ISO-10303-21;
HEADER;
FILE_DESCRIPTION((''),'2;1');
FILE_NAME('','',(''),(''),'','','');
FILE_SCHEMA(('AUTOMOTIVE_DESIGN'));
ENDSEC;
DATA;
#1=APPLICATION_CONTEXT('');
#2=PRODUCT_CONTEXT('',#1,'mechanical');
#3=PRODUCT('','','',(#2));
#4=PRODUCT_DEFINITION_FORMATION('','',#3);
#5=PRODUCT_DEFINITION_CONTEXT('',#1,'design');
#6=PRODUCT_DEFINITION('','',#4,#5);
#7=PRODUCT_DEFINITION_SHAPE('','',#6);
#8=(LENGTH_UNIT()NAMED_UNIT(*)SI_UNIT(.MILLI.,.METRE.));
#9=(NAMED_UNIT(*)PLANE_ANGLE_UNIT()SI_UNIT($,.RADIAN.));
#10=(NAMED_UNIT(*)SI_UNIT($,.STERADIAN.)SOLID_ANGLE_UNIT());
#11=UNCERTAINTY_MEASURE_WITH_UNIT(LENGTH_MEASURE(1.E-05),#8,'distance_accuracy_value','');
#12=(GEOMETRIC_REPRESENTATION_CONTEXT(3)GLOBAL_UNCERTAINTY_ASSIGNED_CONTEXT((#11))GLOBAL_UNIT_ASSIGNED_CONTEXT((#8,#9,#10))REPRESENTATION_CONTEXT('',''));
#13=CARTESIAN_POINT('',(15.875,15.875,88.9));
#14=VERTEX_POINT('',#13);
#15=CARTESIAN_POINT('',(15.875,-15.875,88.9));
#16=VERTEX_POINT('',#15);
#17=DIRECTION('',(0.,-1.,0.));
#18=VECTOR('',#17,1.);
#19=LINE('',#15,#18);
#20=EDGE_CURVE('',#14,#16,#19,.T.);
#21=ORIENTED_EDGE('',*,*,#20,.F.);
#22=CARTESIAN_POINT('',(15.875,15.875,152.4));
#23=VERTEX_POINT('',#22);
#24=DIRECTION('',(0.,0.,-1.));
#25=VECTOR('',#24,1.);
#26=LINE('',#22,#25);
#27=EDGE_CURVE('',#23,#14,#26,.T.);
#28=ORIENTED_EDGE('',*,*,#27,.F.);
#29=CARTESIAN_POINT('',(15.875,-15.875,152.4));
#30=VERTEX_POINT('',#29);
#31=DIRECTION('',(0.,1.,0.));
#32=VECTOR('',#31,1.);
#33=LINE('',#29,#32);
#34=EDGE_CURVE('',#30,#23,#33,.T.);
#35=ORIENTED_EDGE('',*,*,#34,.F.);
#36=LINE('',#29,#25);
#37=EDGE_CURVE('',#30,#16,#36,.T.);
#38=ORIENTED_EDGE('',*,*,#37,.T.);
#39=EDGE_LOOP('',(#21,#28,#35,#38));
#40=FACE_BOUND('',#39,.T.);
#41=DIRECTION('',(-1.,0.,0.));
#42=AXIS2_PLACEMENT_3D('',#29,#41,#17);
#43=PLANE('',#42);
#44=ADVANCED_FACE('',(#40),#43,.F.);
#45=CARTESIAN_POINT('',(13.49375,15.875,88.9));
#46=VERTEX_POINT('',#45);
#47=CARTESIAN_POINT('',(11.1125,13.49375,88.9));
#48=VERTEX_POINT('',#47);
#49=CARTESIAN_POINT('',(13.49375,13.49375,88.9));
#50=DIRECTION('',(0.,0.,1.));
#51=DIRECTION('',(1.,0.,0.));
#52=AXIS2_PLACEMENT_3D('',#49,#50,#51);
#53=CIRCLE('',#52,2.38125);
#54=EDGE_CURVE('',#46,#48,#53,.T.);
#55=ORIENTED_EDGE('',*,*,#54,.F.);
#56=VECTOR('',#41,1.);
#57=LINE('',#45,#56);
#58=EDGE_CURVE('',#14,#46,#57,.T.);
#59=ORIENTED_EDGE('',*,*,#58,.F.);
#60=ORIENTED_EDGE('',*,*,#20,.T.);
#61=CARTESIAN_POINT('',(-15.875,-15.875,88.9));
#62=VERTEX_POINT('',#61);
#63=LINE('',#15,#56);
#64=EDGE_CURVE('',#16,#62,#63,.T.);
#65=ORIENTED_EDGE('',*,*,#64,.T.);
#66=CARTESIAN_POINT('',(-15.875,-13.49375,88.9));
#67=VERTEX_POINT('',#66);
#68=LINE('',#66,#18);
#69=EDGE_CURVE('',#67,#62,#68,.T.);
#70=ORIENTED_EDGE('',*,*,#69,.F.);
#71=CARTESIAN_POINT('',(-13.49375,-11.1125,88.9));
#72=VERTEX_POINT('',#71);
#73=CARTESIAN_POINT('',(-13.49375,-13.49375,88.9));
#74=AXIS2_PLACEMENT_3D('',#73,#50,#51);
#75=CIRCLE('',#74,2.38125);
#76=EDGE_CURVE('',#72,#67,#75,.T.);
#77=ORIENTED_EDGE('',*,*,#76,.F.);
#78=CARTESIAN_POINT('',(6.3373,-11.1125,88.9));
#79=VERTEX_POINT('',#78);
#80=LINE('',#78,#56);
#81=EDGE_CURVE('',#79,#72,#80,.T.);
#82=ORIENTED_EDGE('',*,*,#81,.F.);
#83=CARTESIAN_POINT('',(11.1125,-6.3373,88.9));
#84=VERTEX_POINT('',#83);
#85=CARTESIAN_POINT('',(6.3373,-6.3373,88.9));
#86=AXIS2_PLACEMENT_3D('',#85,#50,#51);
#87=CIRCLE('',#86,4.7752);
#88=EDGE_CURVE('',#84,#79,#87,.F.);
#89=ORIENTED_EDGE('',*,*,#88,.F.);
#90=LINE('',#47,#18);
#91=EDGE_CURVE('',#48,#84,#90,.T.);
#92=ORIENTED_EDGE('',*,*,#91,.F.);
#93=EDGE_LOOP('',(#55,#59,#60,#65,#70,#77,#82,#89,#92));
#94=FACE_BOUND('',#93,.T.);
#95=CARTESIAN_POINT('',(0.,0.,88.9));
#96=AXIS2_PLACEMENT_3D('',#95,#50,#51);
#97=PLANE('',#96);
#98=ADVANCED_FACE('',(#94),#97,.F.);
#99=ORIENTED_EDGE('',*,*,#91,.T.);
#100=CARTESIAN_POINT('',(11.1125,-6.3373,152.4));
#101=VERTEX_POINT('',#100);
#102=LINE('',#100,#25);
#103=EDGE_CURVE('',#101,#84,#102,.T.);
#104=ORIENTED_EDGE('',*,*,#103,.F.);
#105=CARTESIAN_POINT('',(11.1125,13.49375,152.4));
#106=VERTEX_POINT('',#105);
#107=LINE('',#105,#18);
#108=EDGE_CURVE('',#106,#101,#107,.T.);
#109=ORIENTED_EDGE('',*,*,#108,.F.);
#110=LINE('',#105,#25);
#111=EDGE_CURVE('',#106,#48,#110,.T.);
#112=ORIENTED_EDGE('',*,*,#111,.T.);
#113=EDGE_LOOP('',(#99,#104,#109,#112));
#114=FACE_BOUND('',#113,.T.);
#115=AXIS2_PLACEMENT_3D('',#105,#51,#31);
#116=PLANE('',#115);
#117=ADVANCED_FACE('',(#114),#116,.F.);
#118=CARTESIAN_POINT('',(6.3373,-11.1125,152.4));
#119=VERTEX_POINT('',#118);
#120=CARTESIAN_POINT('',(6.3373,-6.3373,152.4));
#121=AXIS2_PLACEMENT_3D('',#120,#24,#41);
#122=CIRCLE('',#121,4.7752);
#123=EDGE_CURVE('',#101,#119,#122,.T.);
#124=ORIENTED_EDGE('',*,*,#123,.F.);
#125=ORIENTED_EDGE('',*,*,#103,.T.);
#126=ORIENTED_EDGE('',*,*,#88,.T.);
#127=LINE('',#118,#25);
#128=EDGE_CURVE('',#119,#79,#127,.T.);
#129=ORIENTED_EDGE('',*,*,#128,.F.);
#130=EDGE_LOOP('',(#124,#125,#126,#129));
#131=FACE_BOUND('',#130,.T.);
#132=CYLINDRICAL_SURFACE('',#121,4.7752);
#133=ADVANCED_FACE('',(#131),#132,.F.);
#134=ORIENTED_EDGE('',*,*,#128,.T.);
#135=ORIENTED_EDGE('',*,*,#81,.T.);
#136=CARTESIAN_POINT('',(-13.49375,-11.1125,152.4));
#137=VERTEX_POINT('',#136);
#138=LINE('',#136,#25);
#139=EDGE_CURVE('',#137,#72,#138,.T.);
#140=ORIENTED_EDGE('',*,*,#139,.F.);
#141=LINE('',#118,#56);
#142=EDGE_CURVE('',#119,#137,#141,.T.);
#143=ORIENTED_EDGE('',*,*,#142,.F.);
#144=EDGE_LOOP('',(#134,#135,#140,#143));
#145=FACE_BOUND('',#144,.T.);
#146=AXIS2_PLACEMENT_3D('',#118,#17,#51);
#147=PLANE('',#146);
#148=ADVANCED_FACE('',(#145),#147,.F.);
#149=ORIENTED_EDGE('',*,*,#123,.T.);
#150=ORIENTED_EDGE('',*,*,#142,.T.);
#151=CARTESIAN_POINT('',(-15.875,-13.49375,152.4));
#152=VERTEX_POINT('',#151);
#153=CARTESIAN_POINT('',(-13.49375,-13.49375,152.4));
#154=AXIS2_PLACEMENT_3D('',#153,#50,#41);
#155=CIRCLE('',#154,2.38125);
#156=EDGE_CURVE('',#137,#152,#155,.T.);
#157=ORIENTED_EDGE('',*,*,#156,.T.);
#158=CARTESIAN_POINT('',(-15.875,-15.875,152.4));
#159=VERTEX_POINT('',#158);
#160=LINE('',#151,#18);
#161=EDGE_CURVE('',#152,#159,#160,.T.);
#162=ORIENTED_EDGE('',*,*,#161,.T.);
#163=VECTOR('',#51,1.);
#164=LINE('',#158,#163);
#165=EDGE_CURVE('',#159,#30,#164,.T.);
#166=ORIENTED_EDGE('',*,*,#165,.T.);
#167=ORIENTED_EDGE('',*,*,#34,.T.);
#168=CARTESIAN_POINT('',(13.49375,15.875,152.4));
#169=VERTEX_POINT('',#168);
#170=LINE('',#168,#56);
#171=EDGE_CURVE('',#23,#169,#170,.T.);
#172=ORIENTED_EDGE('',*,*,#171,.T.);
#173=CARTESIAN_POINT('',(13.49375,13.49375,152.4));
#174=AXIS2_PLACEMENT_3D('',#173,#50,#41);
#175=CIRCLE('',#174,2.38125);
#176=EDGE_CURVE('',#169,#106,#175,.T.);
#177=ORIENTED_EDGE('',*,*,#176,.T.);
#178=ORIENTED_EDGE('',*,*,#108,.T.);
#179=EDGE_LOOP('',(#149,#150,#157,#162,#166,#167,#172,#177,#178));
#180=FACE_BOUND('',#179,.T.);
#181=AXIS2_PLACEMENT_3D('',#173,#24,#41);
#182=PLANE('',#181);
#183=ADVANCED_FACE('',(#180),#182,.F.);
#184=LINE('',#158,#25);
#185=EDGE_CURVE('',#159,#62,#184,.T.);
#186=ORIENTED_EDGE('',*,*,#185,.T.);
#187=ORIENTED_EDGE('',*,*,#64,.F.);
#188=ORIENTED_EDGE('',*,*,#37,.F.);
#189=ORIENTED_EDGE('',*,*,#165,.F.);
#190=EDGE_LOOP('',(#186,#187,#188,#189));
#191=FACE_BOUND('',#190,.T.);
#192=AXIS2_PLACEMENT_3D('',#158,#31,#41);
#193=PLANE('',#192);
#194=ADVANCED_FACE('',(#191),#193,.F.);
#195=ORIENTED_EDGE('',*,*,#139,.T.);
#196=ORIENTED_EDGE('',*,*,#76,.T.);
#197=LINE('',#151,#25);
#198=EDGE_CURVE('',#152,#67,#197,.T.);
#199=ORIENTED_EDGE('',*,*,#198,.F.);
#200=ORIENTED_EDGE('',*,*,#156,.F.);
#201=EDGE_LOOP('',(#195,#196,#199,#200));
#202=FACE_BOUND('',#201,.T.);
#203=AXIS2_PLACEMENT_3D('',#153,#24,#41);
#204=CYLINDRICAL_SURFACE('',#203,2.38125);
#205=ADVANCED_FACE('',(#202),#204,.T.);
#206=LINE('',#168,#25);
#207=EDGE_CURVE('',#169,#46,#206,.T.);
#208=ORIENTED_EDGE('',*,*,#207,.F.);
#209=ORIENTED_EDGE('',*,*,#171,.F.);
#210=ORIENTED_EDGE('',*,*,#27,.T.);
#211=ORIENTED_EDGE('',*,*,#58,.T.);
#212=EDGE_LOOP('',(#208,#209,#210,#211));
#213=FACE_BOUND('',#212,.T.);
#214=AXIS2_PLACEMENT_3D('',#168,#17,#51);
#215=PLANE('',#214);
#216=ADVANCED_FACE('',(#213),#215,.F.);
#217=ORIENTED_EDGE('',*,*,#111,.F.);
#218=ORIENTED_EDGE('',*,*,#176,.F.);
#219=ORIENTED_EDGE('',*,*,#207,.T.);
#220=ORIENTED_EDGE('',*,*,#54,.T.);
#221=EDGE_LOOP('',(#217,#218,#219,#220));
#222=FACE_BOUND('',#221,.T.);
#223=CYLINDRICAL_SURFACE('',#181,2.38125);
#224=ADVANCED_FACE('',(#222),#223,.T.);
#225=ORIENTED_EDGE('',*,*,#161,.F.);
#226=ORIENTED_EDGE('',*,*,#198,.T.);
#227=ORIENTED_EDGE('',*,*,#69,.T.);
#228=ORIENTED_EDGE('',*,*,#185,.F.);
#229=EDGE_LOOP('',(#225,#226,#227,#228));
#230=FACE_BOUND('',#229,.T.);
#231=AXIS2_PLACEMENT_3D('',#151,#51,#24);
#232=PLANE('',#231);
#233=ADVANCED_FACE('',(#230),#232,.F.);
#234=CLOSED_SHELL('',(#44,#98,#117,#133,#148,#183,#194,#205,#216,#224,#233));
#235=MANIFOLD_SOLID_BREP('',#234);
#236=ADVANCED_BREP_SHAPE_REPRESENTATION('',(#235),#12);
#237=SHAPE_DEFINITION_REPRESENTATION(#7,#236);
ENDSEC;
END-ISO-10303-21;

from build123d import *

# Parameters (mm, degrees)
BOSS_EXTRUDE1_DEPTH = 152.4
SKETCH3_W           = 32.781956778
SKETCH3_H           = 33.33928928
CUT_EXTRUDE1_DEPTH  = 241.3


with BuildPart() as part:
    # Sketch2 → Boss-Extrude1 (new, symmetric)
    with BuildSketch(Plane.XY):
        with BuildLine():
            Line((-15.875, -15.875), (15.875, -15.875))
            Line((15.875, -15.875), (15.875, 15.875))
            Line((15.875, 15.875), (13.49375, 15.875))
            ThreePointArc((13.49375, 15.875), (11.809951977, 15.177548023), (11.1125, 13.49375))
            Line((11.1125, 13.49375), (11.1125, -6.3373))
            ThreePointArc((11.1125, -6.3373), (9.713876302, -9.713876302), (6.3373, -11.1125))
            Line((6.3373, -11.1125), (-13.49375, -11.1125))
            ThreePointArc((-13.49375, -11.1125), (-15.177548023, -11.809951977), (-15.875, -13.49375))
            Line((-15.875, -13.49375), (-15.875, -15.875))
        make_face()
    extrude(amount=BOSS_EXTRUDE1_DEPTH, both=True)

    # Sketch3 → Cut-Extrude1 (cut)
    with BuildSketch(Plane(origin=(0, 0, -152.4), x_dir=(-1, 0, 0), z_dir=(0, 0, -1))):
        with Locations((0.515978389, 0.79464464)):
            Rectangle(SKETCH3_W, SKETCH3_H)
    extrude(amount=-CUT_EXTRUDE1_DEPTH, mode=Mode.SUBTRACT)


solid = part.part
